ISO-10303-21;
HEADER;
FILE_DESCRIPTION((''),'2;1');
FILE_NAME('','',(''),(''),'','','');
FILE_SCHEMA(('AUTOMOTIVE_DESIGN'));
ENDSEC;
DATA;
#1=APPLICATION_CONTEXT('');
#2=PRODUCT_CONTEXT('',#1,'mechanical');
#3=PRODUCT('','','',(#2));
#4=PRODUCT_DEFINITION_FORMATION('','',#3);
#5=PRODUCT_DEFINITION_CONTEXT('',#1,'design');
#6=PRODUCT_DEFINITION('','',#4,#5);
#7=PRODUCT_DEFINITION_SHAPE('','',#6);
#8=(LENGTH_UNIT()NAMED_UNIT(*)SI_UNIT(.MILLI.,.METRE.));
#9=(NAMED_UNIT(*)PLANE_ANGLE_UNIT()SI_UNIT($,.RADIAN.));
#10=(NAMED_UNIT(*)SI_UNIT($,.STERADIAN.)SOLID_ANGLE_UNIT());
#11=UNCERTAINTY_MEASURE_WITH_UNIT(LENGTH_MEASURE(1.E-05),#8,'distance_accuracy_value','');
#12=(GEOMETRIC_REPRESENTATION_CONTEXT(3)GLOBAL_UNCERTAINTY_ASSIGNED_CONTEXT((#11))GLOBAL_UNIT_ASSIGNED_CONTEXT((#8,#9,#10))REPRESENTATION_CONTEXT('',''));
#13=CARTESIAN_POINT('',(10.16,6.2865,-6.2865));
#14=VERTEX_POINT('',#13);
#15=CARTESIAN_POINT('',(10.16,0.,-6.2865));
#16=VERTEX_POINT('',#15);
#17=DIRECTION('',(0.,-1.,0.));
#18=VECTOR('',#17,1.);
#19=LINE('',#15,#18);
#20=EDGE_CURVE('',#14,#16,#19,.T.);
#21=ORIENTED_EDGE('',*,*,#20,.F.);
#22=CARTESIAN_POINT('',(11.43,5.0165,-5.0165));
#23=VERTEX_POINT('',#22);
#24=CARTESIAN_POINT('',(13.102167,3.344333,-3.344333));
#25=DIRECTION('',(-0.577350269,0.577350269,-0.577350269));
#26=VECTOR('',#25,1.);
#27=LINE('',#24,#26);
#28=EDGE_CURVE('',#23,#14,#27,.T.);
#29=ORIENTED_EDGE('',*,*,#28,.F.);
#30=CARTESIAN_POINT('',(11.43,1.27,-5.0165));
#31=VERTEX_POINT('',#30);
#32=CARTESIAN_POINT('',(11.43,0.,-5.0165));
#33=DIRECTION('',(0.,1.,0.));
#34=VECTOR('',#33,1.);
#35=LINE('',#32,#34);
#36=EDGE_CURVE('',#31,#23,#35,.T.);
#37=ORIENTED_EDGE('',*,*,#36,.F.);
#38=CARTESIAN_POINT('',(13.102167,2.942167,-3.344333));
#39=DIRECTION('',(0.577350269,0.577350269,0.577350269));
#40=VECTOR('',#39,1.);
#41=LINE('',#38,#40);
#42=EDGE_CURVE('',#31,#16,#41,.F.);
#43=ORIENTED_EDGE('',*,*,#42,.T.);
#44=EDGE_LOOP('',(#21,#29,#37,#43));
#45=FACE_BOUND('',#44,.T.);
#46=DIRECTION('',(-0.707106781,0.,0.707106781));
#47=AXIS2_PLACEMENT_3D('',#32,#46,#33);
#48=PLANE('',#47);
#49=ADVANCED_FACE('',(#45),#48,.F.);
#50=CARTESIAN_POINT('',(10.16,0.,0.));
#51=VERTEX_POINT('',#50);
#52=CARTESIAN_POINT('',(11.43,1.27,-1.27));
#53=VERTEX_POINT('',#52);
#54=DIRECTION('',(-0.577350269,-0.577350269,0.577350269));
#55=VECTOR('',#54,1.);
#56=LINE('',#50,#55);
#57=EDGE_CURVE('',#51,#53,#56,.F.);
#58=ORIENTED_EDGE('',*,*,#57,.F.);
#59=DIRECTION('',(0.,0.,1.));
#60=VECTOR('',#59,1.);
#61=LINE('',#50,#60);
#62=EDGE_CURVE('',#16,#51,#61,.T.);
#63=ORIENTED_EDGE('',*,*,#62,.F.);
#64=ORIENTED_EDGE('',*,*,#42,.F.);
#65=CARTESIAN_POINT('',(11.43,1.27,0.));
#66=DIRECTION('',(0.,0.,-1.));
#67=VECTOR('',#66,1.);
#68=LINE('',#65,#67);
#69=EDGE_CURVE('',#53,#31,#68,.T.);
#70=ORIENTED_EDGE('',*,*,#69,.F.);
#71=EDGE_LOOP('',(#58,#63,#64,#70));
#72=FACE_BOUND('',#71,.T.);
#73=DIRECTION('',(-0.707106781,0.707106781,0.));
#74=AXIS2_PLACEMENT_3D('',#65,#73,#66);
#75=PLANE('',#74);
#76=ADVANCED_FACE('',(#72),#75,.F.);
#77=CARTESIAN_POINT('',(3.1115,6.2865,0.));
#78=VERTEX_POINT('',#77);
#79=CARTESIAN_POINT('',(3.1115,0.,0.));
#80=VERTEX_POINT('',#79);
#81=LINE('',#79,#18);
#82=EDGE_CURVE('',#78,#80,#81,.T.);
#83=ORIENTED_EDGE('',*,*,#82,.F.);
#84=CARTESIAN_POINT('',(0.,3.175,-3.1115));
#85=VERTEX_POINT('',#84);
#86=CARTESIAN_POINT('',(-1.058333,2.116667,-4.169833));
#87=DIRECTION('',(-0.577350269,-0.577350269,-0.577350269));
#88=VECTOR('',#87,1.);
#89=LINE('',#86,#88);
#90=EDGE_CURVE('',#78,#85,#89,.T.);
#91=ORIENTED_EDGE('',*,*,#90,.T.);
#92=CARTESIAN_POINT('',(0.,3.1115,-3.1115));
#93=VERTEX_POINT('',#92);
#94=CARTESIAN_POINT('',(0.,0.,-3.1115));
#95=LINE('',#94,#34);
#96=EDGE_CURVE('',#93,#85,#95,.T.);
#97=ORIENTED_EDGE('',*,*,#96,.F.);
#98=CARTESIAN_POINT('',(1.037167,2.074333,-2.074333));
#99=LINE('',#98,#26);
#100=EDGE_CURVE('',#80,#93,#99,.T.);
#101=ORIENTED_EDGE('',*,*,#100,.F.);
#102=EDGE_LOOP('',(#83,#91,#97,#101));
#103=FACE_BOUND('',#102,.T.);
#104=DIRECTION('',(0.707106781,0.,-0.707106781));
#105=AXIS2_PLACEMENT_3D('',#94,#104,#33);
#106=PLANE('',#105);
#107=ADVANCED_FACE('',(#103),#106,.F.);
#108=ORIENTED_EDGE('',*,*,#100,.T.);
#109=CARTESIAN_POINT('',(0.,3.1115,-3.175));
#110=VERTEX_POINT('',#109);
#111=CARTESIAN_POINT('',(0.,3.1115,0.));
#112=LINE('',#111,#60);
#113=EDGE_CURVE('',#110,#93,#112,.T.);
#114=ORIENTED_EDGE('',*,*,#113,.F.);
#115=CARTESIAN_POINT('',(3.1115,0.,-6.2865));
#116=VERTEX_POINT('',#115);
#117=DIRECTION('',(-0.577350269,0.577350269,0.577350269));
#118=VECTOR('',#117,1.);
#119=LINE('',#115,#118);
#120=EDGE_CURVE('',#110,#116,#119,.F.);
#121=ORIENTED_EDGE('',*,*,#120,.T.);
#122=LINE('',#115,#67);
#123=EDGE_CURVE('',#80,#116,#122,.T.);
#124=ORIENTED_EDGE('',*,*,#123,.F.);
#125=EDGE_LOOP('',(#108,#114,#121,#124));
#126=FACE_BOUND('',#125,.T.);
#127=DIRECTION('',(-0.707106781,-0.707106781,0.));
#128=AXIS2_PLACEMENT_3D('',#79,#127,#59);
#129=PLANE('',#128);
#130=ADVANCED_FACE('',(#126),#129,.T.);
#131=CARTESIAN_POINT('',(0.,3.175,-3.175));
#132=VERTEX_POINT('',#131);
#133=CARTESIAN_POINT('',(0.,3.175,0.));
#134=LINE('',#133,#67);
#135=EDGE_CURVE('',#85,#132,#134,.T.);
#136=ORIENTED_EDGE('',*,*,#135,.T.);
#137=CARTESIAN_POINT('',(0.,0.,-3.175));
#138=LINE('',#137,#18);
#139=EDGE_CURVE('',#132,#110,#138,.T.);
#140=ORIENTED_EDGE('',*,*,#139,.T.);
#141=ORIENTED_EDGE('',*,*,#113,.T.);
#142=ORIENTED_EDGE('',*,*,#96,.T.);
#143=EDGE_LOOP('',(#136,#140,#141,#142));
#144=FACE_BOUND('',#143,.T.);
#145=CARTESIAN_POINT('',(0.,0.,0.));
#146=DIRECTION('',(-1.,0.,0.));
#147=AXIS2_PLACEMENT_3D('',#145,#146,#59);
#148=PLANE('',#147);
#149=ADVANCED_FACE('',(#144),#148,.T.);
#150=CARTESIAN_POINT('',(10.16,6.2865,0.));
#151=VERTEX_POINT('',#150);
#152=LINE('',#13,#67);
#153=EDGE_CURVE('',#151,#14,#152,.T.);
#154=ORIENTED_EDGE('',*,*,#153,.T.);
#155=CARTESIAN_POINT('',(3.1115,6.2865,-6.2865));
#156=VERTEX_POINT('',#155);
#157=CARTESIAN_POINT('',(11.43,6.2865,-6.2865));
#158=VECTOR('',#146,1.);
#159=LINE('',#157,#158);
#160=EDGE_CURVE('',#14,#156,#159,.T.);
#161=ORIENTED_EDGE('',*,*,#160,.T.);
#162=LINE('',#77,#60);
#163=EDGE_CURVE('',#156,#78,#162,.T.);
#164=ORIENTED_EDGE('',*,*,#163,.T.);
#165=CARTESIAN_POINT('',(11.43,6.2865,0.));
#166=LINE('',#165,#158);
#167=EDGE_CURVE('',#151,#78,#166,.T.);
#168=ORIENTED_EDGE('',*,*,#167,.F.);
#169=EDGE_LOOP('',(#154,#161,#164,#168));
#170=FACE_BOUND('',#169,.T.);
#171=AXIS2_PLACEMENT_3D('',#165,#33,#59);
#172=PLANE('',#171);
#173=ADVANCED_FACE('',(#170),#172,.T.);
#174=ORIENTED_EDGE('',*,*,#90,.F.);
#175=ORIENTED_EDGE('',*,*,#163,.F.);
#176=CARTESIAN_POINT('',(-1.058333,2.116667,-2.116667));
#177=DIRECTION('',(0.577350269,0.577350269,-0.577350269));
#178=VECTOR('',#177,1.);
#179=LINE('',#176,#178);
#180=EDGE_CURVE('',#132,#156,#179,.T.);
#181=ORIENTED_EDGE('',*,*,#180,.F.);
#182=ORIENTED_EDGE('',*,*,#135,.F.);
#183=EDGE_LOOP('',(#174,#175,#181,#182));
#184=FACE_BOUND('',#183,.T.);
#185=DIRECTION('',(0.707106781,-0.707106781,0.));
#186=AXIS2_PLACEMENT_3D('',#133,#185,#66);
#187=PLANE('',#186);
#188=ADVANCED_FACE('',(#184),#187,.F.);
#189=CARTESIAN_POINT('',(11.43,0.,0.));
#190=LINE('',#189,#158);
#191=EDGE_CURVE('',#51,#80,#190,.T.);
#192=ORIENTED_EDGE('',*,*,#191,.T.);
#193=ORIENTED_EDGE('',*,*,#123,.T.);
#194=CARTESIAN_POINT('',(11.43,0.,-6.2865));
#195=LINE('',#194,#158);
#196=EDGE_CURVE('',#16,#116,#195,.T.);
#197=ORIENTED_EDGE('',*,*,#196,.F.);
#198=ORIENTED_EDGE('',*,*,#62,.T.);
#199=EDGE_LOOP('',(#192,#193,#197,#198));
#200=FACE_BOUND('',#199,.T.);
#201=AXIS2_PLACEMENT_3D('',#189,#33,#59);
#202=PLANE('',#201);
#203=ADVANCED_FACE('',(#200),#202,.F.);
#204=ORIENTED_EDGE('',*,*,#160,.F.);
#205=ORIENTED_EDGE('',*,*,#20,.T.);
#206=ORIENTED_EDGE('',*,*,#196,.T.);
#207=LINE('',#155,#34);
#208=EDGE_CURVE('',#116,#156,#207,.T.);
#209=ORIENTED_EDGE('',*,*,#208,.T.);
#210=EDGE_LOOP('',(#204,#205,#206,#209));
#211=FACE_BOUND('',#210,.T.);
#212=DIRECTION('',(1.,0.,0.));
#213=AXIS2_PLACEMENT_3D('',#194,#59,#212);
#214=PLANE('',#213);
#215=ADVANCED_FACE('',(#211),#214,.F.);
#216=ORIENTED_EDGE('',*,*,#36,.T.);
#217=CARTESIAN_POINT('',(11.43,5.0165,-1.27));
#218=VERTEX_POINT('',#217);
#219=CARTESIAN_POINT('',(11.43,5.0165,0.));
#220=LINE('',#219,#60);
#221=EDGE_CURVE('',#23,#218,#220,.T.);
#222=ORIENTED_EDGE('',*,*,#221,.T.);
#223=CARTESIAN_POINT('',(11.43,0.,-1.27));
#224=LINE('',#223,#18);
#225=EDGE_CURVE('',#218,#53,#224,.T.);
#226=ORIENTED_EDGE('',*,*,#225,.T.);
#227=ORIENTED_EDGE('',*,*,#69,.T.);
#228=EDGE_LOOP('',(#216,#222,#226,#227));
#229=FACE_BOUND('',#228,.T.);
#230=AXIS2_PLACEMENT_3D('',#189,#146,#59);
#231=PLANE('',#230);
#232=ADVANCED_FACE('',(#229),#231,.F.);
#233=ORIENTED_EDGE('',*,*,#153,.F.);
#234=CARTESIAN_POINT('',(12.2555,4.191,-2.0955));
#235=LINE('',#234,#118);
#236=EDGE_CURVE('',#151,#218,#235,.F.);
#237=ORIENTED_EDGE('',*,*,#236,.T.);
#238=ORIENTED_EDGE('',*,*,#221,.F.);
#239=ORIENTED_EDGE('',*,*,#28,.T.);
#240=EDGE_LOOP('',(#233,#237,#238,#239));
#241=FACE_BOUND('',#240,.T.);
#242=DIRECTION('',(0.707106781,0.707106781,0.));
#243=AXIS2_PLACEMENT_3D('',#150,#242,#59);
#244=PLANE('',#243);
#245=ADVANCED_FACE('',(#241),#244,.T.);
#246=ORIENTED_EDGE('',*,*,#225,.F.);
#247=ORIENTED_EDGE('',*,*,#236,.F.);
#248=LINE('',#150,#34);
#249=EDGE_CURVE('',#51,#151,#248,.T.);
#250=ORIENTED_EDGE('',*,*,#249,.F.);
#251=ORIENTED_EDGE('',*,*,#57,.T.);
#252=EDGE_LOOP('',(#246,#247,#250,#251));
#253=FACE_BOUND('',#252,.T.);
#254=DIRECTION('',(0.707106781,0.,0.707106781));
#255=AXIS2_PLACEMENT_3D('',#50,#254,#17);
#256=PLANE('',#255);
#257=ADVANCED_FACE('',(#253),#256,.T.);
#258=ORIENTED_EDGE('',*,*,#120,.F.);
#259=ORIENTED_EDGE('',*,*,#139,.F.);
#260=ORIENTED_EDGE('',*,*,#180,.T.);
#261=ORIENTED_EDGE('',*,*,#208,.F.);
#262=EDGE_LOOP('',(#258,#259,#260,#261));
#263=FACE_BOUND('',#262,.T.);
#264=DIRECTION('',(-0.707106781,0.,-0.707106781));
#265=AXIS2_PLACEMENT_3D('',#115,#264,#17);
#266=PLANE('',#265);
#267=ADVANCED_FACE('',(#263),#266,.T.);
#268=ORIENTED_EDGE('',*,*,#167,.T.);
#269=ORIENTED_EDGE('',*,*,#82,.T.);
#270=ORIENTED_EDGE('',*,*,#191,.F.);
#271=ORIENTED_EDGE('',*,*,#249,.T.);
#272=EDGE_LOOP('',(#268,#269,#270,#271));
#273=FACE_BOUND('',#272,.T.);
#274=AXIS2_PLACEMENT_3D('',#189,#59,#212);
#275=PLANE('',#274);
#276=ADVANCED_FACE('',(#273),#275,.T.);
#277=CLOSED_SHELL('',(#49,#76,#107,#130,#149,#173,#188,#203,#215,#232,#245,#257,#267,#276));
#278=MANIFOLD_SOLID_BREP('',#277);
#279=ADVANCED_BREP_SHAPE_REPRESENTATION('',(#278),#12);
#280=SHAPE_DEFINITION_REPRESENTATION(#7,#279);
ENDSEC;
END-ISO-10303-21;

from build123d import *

# Parameters (mm, degrees)
SKETCH1_W           = 6.2865
SKETCH1_H           = 6.2865
BOSS_EXTRUDE1_DEPTH = 11.43
CHAMFER1_SIZE       = 1.27
CHAMFER2_SIZE       = 3.1115


with BuildPart() as part:
    # Sketch1 → Boss-Extrude1 (new body)
    with BuildSketch(Plane(origin=(0, 0, 0), x_dir=(0, 0, -1), z_dir=(1, 0, 0))):
        with Locations((3.14325, 3.14325)):
            Rectangle(SKETCH1_W, SKETCH1_H)
    extrude(amount=BOSS_EXTRUDE1_DEPTH)

    # Chamfer1
    chamfer1_edges = [part.edges().sort_by_distance(p)[0] for p in [
        (11.43, 3.14325, -6.2865),
        (11.43, 0, -3.14325),
        (11.43, 3.14325, 0),
        (11.43, 6.2865, -3.14325),
    ]]
    chamfer(chamfer1_edges, length=CHAMFER1_SIZE)

    # Chamfer2
    chamfer2_edges = [part.edges().sort_by_distance(p)[0] for p in [
        (0, 0, -3.14325),
        (0, 3.14325, -6.2865),
        (0, 6.2865, -3.14325),
        (0, 3.14325, 0),
    ]]
    chamfer(chamfer2_edges, length=CHAMFER2_SIZE)


solid = part.part
